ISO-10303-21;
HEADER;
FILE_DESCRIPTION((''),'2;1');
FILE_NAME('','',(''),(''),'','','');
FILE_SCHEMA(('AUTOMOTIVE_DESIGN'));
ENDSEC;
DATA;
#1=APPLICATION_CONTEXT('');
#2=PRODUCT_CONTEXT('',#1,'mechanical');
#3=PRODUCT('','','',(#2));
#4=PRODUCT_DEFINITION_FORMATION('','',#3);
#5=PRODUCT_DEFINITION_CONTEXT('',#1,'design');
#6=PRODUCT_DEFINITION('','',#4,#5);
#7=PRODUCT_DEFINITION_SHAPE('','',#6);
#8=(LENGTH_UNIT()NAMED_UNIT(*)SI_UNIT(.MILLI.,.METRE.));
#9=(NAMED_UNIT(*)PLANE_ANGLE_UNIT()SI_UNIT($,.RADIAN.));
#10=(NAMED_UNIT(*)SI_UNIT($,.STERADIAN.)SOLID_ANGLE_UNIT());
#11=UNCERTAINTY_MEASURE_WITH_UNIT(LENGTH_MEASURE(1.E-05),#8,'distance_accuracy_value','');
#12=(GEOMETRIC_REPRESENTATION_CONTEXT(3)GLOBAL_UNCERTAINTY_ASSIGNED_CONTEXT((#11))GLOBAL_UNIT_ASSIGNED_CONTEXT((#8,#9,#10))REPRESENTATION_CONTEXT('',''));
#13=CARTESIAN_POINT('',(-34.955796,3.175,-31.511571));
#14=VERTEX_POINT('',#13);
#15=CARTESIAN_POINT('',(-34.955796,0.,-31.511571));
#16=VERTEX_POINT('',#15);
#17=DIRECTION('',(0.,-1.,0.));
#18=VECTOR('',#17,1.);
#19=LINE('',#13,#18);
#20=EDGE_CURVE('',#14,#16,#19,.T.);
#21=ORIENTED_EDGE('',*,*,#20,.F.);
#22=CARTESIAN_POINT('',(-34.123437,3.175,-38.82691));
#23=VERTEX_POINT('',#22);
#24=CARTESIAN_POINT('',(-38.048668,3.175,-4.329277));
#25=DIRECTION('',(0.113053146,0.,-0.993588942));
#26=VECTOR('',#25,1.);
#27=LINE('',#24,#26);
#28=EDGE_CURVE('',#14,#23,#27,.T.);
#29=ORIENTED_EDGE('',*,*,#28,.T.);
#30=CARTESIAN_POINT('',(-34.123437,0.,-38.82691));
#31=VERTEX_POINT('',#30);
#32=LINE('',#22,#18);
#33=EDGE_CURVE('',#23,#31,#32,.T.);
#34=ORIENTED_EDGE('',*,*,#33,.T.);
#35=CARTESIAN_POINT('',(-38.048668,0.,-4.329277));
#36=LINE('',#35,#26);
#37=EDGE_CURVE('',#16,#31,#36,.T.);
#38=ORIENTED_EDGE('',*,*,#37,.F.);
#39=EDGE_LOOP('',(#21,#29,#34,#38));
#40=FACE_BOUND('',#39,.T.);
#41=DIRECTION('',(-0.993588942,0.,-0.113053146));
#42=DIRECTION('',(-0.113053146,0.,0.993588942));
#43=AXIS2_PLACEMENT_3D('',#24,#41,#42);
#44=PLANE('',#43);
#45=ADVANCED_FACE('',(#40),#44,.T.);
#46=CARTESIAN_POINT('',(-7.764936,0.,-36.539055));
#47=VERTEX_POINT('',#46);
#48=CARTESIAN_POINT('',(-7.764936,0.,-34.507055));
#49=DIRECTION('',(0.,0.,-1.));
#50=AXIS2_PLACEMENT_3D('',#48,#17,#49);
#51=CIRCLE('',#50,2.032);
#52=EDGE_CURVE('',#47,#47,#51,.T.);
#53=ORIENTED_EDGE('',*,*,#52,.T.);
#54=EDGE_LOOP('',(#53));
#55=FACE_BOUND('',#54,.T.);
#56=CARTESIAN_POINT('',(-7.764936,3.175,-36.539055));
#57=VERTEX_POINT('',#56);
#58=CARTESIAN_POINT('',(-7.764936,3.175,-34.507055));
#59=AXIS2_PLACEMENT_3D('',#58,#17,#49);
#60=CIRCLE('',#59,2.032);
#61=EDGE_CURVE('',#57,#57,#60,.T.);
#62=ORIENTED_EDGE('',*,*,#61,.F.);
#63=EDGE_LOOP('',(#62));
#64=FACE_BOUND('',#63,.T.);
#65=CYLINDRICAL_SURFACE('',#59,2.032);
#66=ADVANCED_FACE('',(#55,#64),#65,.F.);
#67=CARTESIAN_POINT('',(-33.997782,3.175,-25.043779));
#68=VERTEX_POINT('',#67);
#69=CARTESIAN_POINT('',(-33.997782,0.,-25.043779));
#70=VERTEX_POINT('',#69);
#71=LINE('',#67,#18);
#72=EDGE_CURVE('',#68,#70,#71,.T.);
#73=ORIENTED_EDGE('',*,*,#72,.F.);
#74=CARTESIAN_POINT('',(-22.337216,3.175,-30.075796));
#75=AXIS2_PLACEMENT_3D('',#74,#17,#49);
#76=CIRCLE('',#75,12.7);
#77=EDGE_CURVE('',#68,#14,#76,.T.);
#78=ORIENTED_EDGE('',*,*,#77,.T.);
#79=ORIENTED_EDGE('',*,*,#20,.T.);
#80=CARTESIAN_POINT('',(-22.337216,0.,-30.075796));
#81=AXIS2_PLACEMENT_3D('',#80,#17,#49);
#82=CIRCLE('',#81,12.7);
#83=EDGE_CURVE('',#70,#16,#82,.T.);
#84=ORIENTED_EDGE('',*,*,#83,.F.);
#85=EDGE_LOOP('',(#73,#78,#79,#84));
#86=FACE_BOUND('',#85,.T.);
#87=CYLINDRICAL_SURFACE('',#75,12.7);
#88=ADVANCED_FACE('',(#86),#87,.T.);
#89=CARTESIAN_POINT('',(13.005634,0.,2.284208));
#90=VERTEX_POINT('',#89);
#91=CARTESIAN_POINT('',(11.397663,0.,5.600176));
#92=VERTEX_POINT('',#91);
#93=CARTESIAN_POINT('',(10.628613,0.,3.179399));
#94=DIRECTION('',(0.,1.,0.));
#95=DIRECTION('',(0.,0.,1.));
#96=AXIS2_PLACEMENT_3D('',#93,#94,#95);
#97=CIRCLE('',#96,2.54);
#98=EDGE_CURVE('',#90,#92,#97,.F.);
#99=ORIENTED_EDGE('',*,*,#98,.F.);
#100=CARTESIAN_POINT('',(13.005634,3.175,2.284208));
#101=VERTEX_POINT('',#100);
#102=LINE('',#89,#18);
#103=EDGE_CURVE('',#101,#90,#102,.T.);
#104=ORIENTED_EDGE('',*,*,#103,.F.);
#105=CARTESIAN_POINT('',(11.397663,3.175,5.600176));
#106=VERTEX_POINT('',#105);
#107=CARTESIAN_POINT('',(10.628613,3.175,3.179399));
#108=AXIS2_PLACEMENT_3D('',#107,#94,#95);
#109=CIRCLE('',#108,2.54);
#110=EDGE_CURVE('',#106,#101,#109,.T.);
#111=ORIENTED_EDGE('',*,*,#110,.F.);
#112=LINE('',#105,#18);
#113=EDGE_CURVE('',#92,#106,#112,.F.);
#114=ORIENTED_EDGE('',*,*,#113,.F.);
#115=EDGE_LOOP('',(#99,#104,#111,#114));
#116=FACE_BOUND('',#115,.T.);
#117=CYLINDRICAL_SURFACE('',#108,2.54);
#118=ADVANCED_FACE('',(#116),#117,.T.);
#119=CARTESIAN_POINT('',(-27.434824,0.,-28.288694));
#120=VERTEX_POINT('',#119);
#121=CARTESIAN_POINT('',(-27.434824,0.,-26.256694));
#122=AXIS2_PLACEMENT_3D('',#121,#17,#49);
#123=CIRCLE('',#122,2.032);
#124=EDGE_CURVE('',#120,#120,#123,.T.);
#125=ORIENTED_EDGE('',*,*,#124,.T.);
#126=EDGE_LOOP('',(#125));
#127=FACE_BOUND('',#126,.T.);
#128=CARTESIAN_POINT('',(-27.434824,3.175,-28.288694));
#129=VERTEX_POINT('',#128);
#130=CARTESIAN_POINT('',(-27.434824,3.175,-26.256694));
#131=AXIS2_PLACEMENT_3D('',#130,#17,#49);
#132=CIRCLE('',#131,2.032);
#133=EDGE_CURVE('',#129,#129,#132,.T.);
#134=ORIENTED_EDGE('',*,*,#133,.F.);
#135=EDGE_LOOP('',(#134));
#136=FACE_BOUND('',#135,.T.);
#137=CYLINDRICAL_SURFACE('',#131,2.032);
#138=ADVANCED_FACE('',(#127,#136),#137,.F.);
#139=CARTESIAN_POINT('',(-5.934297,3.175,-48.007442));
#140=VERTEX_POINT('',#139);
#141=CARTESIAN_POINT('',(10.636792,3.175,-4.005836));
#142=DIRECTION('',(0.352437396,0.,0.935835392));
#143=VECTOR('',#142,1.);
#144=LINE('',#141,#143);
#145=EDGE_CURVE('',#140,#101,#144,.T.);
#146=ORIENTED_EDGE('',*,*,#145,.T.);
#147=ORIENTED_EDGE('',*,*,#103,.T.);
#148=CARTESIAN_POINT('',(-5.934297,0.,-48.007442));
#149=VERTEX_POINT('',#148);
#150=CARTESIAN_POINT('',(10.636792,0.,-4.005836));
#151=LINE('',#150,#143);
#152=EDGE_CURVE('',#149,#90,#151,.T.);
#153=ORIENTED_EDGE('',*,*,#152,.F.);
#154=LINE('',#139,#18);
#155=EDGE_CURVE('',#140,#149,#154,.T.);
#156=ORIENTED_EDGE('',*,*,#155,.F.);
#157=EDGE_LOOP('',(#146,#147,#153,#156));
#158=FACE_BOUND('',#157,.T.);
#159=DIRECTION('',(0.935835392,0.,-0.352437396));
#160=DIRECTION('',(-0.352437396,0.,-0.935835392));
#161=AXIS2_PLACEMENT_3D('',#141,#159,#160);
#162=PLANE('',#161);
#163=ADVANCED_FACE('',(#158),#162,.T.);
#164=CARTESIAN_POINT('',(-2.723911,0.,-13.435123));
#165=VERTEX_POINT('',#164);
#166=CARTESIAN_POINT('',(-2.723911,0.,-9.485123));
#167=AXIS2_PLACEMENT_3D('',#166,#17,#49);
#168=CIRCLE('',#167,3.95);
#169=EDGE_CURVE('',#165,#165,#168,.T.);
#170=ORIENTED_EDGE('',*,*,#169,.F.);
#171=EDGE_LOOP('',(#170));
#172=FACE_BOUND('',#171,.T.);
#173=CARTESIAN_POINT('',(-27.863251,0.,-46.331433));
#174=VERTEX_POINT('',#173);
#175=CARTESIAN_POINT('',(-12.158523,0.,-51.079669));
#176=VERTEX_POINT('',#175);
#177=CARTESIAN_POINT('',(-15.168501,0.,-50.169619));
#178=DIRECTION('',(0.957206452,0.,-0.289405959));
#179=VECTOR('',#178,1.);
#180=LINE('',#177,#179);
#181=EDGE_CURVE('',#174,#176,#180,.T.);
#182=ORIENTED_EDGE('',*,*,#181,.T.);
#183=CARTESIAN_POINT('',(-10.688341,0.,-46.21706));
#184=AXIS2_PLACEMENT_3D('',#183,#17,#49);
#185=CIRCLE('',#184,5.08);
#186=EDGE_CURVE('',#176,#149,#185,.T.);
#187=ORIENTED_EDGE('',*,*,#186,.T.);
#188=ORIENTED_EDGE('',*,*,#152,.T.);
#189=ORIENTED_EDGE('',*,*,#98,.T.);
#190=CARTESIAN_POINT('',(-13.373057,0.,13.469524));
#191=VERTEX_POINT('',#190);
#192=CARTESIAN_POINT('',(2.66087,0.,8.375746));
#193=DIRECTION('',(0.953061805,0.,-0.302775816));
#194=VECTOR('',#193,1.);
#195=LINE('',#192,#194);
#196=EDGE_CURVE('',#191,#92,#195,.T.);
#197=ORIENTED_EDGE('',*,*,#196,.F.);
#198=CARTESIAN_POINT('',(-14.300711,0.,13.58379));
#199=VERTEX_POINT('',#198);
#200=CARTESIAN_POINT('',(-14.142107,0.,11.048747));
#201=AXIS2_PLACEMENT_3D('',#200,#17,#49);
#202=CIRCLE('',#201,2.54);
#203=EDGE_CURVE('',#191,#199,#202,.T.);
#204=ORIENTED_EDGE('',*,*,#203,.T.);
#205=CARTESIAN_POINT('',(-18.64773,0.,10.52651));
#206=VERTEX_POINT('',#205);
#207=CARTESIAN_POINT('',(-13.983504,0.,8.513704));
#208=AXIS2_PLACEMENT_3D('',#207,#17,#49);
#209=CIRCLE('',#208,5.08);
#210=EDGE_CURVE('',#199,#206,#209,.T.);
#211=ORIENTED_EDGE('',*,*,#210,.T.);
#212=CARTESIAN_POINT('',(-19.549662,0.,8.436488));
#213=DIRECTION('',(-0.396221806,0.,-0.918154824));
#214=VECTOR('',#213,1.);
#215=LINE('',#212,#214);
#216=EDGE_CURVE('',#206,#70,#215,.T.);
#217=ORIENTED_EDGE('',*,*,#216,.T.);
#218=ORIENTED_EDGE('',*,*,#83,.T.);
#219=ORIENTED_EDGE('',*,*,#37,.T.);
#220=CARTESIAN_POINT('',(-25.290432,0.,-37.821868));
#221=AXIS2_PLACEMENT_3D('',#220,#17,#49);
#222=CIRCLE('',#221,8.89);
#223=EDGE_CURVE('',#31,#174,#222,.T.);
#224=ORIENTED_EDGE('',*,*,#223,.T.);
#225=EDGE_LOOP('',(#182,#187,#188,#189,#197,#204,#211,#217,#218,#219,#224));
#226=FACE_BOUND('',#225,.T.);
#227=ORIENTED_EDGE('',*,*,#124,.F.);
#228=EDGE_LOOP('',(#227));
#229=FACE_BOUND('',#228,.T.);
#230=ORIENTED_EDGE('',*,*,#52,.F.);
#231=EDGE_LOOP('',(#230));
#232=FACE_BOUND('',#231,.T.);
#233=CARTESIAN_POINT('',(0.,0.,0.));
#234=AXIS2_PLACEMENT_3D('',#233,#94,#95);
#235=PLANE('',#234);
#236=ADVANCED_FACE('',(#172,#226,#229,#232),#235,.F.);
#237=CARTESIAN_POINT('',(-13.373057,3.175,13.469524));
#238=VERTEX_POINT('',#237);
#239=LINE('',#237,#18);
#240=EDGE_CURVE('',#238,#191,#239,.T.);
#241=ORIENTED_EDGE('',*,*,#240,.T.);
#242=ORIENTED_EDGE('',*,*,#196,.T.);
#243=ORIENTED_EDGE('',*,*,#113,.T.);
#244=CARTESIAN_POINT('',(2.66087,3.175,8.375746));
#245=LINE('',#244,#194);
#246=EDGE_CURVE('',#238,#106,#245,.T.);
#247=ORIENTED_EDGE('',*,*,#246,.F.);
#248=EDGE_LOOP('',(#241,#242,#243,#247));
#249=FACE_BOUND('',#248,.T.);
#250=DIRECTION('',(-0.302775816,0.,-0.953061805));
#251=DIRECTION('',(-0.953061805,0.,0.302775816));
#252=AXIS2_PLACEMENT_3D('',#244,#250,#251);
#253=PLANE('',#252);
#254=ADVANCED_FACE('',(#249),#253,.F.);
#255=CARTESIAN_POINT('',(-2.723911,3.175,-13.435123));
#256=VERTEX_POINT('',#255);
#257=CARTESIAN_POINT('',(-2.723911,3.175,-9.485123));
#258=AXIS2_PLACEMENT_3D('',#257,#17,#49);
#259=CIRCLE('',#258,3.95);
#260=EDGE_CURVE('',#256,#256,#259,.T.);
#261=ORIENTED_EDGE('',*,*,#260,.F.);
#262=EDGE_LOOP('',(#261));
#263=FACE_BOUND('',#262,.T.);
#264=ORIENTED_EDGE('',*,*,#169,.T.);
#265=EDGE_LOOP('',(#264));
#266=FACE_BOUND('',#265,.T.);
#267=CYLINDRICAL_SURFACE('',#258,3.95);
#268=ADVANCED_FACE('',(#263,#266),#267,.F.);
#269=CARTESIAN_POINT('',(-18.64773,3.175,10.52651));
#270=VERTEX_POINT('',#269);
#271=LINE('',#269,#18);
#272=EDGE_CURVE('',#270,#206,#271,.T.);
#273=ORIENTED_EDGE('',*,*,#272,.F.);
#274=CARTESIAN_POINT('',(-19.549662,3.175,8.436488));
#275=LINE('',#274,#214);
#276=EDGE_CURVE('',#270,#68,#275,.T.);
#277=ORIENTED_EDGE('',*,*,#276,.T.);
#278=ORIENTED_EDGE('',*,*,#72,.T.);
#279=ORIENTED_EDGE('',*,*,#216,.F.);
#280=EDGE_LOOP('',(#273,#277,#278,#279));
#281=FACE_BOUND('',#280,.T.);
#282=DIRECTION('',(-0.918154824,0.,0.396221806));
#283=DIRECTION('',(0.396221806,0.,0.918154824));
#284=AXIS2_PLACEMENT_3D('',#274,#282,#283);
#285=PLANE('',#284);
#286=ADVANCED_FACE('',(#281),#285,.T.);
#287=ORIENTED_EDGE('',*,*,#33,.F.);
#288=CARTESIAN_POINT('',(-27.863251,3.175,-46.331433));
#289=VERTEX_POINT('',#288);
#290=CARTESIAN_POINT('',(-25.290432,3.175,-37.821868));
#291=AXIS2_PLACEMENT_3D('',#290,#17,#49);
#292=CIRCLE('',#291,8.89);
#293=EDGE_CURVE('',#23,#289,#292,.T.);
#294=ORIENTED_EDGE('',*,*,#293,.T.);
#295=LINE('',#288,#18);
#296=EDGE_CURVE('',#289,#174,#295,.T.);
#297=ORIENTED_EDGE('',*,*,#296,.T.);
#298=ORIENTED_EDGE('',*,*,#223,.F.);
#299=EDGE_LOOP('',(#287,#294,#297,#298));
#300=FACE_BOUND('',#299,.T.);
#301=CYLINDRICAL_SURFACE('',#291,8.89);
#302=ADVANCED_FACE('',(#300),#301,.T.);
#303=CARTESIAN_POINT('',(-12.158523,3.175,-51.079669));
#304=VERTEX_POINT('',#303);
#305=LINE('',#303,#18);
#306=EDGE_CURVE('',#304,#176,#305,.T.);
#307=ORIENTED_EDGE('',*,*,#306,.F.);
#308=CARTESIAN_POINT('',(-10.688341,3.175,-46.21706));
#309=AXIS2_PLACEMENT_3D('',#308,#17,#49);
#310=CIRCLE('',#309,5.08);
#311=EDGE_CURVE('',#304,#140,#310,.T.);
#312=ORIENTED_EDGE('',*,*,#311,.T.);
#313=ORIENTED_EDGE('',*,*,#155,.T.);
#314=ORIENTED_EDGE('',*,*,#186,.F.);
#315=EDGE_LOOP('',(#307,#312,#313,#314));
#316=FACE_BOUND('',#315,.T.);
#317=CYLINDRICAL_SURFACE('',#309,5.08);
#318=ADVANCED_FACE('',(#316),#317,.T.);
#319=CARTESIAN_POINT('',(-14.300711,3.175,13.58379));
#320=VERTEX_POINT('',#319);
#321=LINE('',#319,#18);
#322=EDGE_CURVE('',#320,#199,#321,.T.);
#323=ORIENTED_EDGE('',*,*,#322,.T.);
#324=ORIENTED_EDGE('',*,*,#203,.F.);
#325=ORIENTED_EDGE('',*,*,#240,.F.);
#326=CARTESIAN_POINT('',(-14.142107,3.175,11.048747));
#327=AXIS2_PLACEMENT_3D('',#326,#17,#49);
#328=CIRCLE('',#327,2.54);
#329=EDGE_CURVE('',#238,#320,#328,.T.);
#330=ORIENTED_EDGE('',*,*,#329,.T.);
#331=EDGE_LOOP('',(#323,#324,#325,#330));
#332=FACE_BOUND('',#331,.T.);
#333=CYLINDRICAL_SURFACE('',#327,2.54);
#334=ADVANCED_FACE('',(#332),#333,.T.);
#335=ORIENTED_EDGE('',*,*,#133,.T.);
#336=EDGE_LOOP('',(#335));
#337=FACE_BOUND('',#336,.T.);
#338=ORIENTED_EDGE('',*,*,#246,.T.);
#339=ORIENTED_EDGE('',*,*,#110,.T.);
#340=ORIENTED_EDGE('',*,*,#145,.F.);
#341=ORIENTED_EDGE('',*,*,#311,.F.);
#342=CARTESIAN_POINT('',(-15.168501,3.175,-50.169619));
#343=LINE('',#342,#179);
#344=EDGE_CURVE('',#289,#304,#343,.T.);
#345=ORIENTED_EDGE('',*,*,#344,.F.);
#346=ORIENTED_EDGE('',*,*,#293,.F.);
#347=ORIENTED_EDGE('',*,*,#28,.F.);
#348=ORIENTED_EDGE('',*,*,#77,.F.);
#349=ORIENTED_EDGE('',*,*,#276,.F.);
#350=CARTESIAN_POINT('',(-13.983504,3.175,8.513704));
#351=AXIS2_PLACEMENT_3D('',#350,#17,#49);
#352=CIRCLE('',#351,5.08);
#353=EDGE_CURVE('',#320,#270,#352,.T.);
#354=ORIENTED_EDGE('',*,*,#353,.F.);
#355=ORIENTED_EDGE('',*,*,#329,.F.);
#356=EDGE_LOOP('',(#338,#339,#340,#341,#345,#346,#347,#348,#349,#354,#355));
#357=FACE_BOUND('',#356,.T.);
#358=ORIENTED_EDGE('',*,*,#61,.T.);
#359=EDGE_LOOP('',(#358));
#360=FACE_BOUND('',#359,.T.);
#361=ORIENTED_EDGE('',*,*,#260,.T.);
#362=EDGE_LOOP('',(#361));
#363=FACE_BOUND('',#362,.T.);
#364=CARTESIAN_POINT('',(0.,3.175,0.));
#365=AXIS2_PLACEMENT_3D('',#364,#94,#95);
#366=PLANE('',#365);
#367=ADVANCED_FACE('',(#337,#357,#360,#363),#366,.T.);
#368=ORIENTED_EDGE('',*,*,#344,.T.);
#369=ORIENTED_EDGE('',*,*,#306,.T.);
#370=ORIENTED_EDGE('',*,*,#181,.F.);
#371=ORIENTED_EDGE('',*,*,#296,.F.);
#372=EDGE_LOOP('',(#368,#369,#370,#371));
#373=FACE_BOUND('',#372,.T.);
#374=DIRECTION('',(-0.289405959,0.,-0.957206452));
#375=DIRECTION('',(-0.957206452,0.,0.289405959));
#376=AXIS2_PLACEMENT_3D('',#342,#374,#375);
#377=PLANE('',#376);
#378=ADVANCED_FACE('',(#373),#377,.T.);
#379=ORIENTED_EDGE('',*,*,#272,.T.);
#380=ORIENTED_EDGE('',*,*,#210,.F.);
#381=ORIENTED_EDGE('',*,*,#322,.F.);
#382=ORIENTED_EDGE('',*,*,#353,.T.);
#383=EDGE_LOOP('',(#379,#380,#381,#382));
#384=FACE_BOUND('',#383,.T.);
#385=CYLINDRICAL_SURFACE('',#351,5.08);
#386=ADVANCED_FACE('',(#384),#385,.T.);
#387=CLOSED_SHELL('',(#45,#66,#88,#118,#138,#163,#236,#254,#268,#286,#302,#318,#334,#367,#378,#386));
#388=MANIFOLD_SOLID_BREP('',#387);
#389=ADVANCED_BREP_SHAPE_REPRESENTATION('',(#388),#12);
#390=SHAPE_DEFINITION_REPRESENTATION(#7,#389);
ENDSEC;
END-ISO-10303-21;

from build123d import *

# Parameters (mm, degrees)
BOSS_EXTRUDE1_DEPTH = 3.175
SKETCH2_R           = 2.032
BOSS_EXTRUDE2_DEPTH = 3.175
SKETCH2_3_R         = 3.95
CUT_EXTRUDE1_DEPTH  = 63.201892938
FILLET1_R           = 2.54


with BuildPart() as part:
    # Sketch1 → Boss-Extrude1 (new body)
    with BuildSketch(Plane(origin=(0, 0, 0), x_dir=(1, 0, 0), z_dir=(0, 1, 0))):
        Polygon((25.4, -6.35), (12.7, -6.35), (12.7, 19.05), (-12.7, 19.05), (-12.7, -19.05), (25.4, -19.05), align=None)
    extrude(amount=BOSS_EXTRUDE1_DEPTH)

    # Sketch2 → Boss-Extrude2 (add)
    # profile 1 of 2: a face of its own
    with BuildSketch(Plane.XZ):
        Polygon((12.7, 1.472649747), (13.949167892, 4.789594929), (12.7, 5.186439946), align=None)
    # profile 2 of 2: a face of its own
    with BuildSketch(Plane.XZ):
        with BuildLine():
            Line((-12.7, 13.255702289), (-13.373056837, 13.469524029))
            ThreePointArc((-13.373056837, 13.469524029), (-13.831582673, 13.569694165), (-14.300710901, 13.583790422))
            ThreePointArc((-14.300710901, 13.583790422), (-16.90590193, 12.668940106), (-18.647730427, 10.526510437))
            Line((-18.647730427, 10.526510437), (-33.997782473, -25.04377908))
            ThreePointArc((-33.997782473, -25.04377908), (-34.900150323, -28.214966504), (-34.955795775, -31.511570969))
            Line((-34.955795775, -31.511570969), (-34.123437377, -38.826910048))
            ThreePointArc((-34.123437377, -38.826910048), (-32.117046877, -43.516551498), (-27.863250656, -46.331432931))
            Line((-27.863250656, -46.331432931), (-12.15852304, -51.079668538))
            ThreePointArc((-12.15852304, -51.079668538), (-8.439878849, -50.772366449), (-5.934296975, -48.007441738))
            Line((-5.934296975, -48.007441738), (-0.611549336, -33.873823471))
            Line((-0.611549336, -33.873823471), (4.971130901, -19.05))
            Line((4.971130901, -19.05), (-12.7, -19.05))
            Line((-12.7, -19.05), (-12.7, 8.957831881))
            Line((-12.7, 8.957831881), (-12.7, 13.255702289))
        make_face()
        with Locations((-27.434824274, -26.25669415)):
            Circle(SKETCH2_R, mode=Mode.SUBTRACT)
        with Locations((-7.764936406, -34.507055205)):
            Circle(SKETCH2_R, mode=Mode.SUBTRACT)
    extrude(amount=-BOSS_EXTRUDE2_DEPTH)

    # Sketch2<3> → Cut-Extrude1 (cut, through all)
    with BuildSketch(Plane.XZ):
        Polygon((-12.7, 13.255702289), (12.7, 5.186439946), (12.7, 6.35), (25.4, 6.35), (25.4, 19.05), (-12.7, 19.05), align=None)
        Polygon((12.7, -19.05), (12.7, 1.472649747), (4.971130901, -19.05), align=None)
        with Locations((-2.723911437, -9.485123164)):
            Circle(SKETCH2_3_R)
    extrude(amount=-CUT_EXTRUDE1_DEPTH, mode=Mode.SUBTRACT)

    # Fillet1
    fillet1_edges = [part.edges().sort_by_distance(p)[0] for p in [
        (13.949167892, 1.5875, 4.789594929),
    ]]
    fillet(fillet1_edges, radius=FILLET1_R)


solid = part.part
